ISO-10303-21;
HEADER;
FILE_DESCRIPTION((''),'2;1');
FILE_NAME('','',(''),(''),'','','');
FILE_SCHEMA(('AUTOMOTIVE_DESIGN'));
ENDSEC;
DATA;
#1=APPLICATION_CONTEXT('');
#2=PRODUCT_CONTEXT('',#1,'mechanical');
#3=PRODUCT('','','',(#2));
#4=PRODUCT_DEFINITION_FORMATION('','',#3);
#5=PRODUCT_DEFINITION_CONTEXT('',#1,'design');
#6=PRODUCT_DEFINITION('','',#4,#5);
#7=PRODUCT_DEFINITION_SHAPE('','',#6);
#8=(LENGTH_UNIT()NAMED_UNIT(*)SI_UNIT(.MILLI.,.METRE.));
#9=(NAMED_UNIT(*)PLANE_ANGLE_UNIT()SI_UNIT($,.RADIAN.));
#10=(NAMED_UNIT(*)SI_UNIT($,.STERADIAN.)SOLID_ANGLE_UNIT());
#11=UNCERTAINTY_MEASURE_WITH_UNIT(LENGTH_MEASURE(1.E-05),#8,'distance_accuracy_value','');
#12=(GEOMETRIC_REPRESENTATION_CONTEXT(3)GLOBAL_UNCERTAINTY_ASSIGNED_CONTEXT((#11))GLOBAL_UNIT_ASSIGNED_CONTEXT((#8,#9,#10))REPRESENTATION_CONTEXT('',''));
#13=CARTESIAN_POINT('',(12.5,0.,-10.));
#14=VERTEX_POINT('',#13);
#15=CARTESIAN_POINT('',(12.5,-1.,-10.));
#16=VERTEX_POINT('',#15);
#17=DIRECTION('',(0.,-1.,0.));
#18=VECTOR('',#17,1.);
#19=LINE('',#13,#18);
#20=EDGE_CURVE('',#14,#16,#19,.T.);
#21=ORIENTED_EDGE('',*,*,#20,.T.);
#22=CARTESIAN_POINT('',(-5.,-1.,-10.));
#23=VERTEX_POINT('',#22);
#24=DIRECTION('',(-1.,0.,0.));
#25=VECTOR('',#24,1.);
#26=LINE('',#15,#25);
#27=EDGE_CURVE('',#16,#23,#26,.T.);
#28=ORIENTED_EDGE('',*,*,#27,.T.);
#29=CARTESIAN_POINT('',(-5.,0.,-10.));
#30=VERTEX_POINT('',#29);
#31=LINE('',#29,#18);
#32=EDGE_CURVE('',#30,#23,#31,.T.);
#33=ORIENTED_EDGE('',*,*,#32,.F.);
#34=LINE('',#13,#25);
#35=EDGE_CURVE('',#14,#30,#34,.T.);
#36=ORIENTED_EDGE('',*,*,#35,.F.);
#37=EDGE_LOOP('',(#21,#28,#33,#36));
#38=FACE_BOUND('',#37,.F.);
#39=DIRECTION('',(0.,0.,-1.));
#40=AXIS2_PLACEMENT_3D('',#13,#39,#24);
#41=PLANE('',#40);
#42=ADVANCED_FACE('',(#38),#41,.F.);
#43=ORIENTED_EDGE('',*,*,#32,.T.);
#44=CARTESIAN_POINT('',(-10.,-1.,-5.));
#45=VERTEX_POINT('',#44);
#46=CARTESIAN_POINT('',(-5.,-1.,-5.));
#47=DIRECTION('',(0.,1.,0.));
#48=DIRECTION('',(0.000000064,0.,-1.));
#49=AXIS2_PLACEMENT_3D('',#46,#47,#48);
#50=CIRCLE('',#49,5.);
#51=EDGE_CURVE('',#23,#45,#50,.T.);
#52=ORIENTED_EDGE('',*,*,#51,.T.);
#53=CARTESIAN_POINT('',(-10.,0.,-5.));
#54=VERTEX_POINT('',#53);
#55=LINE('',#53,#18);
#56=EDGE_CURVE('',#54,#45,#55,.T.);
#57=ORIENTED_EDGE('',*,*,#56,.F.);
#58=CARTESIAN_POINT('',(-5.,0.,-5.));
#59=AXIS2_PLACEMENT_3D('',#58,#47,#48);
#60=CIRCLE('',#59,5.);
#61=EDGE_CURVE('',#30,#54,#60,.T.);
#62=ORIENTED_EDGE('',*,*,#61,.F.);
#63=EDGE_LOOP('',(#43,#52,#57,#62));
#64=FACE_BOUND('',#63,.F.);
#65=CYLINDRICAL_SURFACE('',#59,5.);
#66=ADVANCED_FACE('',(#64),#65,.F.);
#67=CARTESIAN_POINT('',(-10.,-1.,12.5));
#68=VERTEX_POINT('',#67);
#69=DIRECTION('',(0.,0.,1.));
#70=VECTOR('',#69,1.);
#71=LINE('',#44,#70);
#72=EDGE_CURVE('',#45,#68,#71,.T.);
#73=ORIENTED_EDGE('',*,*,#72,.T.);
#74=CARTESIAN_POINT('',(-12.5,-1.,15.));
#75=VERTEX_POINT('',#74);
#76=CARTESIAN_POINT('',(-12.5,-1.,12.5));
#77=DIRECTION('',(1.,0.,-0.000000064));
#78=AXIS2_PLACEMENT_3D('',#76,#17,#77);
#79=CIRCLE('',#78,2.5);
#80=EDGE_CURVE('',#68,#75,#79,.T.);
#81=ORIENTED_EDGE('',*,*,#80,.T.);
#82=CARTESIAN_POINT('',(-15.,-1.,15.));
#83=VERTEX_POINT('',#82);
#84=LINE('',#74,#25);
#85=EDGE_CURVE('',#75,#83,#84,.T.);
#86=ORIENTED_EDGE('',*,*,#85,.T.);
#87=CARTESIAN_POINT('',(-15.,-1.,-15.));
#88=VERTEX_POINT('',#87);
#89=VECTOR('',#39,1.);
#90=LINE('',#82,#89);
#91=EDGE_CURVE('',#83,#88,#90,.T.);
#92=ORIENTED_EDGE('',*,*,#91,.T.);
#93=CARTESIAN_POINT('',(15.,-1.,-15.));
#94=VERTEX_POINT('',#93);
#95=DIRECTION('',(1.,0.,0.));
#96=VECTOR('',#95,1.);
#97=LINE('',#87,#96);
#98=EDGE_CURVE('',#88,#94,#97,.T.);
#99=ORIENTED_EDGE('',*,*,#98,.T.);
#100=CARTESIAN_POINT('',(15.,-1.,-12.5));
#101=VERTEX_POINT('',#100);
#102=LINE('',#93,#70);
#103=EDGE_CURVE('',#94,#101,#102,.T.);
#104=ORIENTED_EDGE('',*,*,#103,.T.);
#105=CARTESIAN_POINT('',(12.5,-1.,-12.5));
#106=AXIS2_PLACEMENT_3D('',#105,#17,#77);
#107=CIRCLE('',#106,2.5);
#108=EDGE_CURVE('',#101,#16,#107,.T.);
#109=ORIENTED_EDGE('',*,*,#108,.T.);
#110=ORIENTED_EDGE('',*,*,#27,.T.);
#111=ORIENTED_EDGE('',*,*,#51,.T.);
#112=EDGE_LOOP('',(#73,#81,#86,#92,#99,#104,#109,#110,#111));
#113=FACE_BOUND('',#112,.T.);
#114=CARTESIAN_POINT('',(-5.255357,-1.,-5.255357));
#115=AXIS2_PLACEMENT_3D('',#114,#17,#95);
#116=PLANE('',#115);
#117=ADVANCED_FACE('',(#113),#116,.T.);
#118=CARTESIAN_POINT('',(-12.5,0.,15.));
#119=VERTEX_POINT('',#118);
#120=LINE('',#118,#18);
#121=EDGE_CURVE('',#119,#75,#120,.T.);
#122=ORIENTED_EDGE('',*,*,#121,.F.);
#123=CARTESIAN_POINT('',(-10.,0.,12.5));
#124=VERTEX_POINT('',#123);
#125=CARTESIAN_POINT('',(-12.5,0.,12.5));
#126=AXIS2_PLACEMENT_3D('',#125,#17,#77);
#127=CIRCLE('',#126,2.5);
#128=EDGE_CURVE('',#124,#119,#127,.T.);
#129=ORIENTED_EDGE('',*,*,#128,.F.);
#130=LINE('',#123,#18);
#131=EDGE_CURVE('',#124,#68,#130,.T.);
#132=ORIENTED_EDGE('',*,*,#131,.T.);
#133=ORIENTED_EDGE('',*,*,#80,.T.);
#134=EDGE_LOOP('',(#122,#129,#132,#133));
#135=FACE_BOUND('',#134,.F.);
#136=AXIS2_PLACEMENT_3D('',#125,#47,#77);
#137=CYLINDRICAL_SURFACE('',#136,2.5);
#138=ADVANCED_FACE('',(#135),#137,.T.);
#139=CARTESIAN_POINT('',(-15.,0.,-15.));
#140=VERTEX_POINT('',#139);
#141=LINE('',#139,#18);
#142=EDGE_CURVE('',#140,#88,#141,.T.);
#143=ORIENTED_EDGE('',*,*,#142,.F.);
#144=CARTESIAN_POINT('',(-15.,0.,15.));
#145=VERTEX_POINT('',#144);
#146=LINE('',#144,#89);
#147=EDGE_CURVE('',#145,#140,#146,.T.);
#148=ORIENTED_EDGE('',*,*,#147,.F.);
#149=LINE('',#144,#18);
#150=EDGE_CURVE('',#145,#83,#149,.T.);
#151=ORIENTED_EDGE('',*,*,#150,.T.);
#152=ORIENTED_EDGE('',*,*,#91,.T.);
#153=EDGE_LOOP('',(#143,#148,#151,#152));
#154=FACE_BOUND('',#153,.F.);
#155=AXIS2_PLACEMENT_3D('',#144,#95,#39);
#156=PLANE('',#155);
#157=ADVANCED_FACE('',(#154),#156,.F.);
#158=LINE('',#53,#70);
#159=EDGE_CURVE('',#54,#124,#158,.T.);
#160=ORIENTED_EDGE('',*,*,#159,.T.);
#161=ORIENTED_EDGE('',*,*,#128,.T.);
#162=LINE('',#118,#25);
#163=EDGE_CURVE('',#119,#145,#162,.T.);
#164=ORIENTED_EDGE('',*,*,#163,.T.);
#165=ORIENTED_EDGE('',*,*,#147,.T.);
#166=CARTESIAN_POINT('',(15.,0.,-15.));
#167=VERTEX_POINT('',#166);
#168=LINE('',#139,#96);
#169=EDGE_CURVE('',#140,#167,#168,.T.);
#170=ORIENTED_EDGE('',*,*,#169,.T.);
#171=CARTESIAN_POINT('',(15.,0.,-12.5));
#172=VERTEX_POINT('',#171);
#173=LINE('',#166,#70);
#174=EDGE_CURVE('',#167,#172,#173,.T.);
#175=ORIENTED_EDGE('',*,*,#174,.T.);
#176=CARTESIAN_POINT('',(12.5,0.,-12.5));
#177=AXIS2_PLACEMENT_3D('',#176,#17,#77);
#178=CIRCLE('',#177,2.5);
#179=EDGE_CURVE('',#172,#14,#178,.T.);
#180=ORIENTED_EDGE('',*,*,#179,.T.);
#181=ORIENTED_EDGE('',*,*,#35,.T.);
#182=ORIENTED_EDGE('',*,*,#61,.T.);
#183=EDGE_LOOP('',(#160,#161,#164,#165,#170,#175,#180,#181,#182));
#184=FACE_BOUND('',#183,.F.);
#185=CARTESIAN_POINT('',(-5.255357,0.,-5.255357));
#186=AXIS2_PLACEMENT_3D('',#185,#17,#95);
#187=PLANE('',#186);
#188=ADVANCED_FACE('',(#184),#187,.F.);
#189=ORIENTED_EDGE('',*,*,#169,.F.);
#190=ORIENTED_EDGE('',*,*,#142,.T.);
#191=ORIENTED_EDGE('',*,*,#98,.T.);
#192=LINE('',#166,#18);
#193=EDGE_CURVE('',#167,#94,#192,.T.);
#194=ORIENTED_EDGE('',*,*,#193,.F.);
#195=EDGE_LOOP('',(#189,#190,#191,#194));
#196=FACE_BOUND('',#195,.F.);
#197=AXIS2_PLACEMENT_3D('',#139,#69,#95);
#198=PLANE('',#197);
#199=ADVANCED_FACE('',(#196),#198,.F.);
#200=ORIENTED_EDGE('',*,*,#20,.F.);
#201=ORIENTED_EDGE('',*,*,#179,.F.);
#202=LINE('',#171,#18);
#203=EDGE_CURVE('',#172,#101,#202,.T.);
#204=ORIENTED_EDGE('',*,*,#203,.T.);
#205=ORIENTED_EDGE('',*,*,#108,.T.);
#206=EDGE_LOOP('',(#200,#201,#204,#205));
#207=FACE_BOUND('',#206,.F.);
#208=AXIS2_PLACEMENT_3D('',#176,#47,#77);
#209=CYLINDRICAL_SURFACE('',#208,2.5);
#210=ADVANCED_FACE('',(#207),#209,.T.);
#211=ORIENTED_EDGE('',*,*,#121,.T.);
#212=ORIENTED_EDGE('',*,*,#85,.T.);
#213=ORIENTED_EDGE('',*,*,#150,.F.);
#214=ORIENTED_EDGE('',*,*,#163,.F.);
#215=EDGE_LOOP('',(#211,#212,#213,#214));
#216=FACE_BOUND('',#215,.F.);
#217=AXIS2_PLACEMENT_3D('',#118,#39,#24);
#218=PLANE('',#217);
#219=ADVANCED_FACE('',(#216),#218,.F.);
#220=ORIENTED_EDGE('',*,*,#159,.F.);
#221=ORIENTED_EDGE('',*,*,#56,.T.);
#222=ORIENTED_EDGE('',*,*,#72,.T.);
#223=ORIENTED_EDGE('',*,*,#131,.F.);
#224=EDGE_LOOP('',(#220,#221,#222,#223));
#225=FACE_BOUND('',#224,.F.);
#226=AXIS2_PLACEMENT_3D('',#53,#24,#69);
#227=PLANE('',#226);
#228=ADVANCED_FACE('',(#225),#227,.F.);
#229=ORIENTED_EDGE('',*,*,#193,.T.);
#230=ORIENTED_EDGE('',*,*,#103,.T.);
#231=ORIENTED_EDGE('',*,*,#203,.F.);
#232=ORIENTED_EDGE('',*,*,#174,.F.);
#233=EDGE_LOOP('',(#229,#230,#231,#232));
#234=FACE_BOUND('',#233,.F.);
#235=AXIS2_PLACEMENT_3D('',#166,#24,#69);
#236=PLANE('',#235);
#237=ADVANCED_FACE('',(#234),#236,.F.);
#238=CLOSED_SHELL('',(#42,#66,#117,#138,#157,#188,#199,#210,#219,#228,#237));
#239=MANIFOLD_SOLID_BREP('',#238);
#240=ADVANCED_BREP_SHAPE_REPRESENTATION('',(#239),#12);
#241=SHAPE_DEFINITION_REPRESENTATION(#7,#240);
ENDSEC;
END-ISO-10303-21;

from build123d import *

# Parameters (mm, degrees)
F1_DEPTH = 1


with BuildPart() as f1:
    # F0 (on Front) → F1 (new body)
    with BuildSketch(Plane.XZ):
        with BuildLine():
            Line((-15, 15), (-15, -15))
            Line((-15, -15), (15, -15))
            Line((15, -15), (15, -12.5))
            ThreePointArc((15, -12.5), (14.267767, -10.732233), (12.5, -10))
            Line((12.5, -10), (-5, -10))
            ThreePointArc((-5, -10), (-8.535534, -8.535534), (-10, -5))
            Line((-10, -5), (-10, 12.5))
            ThreePointArc((-10, 12.5), (-10.732233, 14.267767), (-12.5, 15))
            Line((-12.5, 15), (-15, 15))
        make_face()
    extrude(amount=F1_DEPTH)


solid = f1.part
